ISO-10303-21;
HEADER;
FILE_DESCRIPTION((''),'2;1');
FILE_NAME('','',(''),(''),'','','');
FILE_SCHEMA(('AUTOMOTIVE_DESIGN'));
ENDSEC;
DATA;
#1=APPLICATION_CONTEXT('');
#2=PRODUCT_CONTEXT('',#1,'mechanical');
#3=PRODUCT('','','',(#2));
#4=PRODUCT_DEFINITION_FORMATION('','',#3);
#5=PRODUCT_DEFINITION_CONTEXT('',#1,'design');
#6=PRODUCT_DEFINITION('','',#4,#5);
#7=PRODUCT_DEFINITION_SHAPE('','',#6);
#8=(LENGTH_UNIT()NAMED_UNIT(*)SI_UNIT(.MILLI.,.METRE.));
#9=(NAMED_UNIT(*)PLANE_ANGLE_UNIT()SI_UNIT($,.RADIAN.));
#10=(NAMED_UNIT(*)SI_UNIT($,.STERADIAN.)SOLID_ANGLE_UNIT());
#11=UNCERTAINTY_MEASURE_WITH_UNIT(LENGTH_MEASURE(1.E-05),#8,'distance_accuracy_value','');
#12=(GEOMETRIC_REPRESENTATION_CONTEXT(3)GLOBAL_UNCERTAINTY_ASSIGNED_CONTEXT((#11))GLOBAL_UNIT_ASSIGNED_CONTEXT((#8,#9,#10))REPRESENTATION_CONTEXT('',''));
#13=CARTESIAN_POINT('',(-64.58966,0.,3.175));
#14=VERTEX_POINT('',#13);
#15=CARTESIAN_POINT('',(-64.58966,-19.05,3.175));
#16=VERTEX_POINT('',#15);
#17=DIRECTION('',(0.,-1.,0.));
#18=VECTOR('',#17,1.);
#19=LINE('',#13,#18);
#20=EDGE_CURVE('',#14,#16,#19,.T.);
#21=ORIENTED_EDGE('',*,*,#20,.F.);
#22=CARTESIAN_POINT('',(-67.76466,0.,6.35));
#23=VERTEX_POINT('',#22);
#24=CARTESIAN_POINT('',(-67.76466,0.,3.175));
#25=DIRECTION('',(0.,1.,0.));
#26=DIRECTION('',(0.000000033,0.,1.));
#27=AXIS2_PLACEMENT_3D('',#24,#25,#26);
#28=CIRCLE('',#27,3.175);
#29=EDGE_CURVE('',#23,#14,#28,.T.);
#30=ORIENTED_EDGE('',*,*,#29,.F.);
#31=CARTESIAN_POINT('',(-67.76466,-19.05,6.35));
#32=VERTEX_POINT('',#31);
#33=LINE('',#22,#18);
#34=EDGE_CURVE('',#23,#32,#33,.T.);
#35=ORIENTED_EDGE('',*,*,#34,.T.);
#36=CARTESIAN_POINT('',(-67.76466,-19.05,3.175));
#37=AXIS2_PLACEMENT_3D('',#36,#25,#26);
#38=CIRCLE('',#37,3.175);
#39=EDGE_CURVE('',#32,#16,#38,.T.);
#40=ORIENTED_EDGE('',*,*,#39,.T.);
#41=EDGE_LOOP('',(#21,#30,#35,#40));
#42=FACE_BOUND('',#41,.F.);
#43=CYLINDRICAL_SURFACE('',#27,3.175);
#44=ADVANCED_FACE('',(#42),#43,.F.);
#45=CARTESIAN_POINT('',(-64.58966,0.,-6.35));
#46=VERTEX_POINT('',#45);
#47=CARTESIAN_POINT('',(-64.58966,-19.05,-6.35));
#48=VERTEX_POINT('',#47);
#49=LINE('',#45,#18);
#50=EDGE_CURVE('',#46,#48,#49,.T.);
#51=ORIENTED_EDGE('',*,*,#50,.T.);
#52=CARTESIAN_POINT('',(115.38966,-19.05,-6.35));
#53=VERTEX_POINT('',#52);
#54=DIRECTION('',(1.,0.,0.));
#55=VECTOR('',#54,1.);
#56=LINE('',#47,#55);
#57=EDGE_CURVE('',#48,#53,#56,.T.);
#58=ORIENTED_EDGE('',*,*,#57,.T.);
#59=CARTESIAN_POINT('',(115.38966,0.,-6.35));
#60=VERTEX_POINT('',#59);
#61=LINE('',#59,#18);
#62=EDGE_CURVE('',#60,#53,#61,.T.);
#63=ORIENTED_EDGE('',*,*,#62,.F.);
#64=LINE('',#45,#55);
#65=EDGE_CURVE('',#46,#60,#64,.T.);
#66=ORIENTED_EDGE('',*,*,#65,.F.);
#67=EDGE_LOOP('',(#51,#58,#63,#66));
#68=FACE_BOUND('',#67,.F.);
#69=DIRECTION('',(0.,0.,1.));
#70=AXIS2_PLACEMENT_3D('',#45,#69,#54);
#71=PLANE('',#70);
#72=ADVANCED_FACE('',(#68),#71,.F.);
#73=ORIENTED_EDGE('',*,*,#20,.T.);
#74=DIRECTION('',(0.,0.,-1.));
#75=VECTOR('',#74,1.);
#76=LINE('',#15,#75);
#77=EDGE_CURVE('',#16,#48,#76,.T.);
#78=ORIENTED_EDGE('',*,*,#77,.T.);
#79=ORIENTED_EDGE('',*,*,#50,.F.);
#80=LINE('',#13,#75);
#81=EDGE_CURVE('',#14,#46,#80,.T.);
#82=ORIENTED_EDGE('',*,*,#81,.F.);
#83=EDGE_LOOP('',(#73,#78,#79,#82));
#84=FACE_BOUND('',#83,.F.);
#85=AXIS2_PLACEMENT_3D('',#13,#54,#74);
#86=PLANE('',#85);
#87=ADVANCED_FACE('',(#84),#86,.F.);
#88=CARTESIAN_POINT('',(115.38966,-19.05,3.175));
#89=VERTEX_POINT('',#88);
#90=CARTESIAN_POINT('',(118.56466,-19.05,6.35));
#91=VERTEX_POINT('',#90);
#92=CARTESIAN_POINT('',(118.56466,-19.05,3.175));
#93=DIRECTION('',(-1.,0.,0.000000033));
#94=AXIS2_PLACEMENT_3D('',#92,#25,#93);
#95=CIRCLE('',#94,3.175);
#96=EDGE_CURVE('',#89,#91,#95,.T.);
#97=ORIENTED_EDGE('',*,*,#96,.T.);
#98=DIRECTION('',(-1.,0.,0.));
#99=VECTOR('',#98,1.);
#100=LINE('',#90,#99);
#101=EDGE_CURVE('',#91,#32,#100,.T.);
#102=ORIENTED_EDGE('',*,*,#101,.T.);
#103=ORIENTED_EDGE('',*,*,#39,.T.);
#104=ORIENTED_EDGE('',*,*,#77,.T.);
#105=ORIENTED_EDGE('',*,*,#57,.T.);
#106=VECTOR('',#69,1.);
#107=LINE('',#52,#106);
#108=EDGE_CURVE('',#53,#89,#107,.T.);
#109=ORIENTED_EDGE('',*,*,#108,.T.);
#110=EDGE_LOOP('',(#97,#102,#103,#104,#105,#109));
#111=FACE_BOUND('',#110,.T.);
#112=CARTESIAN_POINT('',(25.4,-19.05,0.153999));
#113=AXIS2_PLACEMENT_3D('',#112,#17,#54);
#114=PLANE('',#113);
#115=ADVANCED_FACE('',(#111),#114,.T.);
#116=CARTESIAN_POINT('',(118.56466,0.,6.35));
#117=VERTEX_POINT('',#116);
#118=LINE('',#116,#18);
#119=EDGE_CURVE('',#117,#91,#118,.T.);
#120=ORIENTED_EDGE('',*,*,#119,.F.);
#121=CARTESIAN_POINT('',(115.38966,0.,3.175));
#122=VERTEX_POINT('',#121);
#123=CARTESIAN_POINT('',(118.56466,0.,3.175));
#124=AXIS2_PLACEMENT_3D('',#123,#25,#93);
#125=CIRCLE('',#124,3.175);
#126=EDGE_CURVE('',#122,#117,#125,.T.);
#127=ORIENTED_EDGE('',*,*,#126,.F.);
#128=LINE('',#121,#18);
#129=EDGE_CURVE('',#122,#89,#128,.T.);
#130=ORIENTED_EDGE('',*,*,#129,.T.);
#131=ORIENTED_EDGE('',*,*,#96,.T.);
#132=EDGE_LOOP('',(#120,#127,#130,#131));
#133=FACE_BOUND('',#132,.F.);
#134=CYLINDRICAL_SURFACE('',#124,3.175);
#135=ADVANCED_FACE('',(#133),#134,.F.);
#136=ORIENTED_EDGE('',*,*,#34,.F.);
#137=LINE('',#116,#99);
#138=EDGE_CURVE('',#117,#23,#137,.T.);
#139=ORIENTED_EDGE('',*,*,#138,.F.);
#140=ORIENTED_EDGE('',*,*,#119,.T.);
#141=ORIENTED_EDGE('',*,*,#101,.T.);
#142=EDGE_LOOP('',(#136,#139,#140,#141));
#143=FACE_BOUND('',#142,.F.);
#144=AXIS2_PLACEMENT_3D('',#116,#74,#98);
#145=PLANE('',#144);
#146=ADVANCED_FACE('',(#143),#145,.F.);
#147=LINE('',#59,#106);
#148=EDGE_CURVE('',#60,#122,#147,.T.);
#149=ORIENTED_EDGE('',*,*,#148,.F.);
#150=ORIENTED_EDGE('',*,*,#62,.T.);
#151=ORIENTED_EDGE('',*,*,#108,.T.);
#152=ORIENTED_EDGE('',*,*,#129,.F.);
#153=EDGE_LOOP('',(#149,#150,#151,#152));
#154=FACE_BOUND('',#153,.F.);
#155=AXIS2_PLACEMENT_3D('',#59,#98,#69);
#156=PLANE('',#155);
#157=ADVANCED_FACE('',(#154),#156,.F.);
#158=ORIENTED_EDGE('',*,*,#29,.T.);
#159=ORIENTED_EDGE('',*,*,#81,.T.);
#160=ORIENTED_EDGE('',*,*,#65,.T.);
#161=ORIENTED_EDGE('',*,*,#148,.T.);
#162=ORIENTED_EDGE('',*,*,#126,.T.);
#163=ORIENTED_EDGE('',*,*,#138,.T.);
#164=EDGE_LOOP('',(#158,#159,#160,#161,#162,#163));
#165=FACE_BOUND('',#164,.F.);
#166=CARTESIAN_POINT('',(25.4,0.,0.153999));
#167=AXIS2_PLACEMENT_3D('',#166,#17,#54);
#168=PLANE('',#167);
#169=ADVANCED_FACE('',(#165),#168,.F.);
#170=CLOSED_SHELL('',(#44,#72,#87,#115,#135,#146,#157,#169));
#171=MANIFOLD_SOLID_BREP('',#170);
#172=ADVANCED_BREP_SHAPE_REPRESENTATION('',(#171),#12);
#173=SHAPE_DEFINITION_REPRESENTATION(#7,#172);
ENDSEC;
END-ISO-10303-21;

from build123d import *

# Parameters (mm, degrees)
F1_DEPTH = 19.05


with BuildPart() as f1:
    # F0 (on Front) → F1 (new body)
    with BuildSketch(Plane.XZ):
        with BuildLine():
            ThreePointArc((115.38966, 3.175), (116.319596, 5.420064), (118.56466, 6.35))
            Line((118.56466, 6.35), (-67.76466, 6.35))
            ThreePointArc((-67.76466, 6.35), (-65.519596, 5.420064), (-64.58966, 3.175))
            Line((-64.58966, 3.175), (-64.58966, -6.35))
            Line((-64.58966, -6.35), (115.38966, -6.35))
            Line((115.38966, -6.35), (115.38966, 3.175))
        make_face()
    extrude(amount=F1_DEPTH)


solid = f1.part
